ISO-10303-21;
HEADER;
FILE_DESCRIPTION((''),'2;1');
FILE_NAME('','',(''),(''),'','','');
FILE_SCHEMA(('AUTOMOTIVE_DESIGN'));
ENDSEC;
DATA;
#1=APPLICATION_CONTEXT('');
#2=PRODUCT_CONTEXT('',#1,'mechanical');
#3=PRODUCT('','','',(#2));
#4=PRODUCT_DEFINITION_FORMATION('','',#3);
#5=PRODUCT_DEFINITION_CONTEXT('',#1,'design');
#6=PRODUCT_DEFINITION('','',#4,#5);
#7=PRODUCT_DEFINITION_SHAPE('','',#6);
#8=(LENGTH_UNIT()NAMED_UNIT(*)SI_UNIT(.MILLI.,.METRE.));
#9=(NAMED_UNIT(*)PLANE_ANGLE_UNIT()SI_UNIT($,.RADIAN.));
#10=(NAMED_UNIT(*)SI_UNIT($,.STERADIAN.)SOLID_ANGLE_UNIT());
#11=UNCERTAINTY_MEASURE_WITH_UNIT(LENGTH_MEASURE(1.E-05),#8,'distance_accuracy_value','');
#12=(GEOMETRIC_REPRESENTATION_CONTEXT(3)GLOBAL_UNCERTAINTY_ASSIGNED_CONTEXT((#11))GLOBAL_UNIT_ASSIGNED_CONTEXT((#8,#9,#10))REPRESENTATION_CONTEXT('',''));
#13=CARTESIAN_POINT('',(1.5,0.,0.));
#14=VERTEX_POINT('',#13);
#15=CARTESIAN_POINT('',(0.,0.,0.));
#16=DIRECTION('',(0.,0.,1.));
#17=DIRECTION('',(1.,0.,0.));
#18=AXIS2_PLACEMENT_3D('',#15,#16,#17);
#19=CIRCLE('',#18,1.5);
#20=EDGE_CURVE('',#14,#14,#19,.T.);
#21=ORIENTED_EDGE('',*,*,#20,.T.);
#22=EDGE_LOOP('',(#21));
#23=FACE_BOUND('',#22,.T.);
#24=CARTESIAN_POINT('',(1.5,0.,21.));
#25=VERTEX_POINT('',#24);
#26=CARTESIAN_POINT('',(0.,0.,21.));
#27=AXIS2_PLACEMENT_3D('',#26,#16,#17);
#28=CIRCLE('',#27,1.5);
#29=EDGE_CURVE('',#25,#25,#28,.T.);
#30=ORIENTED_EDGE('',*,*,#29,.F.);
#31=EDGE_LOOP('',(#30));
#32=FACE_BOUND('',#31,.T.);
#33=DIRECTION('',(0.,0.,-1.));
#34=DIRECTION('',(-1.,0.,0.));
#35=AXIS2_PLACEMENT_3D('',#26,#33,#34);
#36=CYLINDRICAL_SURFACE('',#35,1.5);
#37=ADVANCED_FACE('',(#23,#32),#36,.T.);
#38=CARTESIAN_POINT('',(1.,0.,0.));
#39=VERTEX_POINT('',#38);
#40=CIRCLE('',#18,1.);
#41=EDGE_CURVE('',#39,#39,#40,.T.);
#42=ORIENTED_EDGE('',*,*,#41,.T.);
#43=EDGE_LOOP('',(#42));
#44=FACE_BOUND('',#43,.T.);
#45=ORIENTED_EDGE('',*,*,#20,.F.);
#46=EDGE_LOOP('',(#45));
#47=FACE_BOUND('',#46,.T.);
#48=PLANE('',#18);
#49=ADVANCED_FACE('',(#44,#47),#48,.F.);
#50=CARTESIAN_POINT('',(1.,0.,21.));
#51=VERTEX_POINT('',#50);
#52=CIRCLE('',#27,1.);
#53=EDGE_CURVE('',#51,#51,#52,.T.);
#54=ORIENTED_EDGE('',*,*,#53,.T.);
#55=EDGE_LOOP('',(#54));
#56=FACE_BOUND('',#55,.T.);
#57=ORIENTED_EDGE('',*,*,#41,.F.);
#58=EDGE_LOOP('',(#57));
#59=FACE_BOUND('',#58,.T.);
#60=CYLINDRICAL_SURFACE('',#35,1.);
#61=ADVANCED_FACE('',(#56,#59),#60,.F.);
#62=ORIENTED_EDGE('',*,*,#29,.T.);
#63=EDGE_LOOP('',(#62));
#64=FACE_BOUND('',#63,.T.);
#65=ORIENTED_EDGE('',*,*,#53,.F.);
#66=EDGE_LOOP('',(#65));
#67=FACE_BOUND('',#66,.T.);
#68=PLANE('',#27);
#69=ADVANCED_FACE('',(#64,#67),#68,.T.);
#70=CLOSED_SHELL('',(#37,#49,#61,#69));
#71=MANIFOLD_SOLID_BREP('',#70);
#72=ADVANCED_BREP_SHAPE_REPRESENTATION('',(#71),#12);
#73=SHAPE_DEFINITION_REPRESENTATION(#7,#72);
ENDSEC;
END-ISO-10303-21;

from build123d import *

# Parameters (mm, degrees)
CROQUIS1_R              = 1.5
CROQUIS1_R_2            = 1
SALIENTE_EXTRUIR1_DEPTH = 21


with BuildPart() as part:
    # Croquis1 → Saliente-Extruir1 (new body)
    with BuildSketch(Plane.XY):
        Circle(CROQUIS1_R)
        Circle(CROQUIS1_R_2, mode=Mode.SUBTRACT)
    extrude(amount=SALIENTE_EXTRUIR1_DEPTH)


solid = part.part
